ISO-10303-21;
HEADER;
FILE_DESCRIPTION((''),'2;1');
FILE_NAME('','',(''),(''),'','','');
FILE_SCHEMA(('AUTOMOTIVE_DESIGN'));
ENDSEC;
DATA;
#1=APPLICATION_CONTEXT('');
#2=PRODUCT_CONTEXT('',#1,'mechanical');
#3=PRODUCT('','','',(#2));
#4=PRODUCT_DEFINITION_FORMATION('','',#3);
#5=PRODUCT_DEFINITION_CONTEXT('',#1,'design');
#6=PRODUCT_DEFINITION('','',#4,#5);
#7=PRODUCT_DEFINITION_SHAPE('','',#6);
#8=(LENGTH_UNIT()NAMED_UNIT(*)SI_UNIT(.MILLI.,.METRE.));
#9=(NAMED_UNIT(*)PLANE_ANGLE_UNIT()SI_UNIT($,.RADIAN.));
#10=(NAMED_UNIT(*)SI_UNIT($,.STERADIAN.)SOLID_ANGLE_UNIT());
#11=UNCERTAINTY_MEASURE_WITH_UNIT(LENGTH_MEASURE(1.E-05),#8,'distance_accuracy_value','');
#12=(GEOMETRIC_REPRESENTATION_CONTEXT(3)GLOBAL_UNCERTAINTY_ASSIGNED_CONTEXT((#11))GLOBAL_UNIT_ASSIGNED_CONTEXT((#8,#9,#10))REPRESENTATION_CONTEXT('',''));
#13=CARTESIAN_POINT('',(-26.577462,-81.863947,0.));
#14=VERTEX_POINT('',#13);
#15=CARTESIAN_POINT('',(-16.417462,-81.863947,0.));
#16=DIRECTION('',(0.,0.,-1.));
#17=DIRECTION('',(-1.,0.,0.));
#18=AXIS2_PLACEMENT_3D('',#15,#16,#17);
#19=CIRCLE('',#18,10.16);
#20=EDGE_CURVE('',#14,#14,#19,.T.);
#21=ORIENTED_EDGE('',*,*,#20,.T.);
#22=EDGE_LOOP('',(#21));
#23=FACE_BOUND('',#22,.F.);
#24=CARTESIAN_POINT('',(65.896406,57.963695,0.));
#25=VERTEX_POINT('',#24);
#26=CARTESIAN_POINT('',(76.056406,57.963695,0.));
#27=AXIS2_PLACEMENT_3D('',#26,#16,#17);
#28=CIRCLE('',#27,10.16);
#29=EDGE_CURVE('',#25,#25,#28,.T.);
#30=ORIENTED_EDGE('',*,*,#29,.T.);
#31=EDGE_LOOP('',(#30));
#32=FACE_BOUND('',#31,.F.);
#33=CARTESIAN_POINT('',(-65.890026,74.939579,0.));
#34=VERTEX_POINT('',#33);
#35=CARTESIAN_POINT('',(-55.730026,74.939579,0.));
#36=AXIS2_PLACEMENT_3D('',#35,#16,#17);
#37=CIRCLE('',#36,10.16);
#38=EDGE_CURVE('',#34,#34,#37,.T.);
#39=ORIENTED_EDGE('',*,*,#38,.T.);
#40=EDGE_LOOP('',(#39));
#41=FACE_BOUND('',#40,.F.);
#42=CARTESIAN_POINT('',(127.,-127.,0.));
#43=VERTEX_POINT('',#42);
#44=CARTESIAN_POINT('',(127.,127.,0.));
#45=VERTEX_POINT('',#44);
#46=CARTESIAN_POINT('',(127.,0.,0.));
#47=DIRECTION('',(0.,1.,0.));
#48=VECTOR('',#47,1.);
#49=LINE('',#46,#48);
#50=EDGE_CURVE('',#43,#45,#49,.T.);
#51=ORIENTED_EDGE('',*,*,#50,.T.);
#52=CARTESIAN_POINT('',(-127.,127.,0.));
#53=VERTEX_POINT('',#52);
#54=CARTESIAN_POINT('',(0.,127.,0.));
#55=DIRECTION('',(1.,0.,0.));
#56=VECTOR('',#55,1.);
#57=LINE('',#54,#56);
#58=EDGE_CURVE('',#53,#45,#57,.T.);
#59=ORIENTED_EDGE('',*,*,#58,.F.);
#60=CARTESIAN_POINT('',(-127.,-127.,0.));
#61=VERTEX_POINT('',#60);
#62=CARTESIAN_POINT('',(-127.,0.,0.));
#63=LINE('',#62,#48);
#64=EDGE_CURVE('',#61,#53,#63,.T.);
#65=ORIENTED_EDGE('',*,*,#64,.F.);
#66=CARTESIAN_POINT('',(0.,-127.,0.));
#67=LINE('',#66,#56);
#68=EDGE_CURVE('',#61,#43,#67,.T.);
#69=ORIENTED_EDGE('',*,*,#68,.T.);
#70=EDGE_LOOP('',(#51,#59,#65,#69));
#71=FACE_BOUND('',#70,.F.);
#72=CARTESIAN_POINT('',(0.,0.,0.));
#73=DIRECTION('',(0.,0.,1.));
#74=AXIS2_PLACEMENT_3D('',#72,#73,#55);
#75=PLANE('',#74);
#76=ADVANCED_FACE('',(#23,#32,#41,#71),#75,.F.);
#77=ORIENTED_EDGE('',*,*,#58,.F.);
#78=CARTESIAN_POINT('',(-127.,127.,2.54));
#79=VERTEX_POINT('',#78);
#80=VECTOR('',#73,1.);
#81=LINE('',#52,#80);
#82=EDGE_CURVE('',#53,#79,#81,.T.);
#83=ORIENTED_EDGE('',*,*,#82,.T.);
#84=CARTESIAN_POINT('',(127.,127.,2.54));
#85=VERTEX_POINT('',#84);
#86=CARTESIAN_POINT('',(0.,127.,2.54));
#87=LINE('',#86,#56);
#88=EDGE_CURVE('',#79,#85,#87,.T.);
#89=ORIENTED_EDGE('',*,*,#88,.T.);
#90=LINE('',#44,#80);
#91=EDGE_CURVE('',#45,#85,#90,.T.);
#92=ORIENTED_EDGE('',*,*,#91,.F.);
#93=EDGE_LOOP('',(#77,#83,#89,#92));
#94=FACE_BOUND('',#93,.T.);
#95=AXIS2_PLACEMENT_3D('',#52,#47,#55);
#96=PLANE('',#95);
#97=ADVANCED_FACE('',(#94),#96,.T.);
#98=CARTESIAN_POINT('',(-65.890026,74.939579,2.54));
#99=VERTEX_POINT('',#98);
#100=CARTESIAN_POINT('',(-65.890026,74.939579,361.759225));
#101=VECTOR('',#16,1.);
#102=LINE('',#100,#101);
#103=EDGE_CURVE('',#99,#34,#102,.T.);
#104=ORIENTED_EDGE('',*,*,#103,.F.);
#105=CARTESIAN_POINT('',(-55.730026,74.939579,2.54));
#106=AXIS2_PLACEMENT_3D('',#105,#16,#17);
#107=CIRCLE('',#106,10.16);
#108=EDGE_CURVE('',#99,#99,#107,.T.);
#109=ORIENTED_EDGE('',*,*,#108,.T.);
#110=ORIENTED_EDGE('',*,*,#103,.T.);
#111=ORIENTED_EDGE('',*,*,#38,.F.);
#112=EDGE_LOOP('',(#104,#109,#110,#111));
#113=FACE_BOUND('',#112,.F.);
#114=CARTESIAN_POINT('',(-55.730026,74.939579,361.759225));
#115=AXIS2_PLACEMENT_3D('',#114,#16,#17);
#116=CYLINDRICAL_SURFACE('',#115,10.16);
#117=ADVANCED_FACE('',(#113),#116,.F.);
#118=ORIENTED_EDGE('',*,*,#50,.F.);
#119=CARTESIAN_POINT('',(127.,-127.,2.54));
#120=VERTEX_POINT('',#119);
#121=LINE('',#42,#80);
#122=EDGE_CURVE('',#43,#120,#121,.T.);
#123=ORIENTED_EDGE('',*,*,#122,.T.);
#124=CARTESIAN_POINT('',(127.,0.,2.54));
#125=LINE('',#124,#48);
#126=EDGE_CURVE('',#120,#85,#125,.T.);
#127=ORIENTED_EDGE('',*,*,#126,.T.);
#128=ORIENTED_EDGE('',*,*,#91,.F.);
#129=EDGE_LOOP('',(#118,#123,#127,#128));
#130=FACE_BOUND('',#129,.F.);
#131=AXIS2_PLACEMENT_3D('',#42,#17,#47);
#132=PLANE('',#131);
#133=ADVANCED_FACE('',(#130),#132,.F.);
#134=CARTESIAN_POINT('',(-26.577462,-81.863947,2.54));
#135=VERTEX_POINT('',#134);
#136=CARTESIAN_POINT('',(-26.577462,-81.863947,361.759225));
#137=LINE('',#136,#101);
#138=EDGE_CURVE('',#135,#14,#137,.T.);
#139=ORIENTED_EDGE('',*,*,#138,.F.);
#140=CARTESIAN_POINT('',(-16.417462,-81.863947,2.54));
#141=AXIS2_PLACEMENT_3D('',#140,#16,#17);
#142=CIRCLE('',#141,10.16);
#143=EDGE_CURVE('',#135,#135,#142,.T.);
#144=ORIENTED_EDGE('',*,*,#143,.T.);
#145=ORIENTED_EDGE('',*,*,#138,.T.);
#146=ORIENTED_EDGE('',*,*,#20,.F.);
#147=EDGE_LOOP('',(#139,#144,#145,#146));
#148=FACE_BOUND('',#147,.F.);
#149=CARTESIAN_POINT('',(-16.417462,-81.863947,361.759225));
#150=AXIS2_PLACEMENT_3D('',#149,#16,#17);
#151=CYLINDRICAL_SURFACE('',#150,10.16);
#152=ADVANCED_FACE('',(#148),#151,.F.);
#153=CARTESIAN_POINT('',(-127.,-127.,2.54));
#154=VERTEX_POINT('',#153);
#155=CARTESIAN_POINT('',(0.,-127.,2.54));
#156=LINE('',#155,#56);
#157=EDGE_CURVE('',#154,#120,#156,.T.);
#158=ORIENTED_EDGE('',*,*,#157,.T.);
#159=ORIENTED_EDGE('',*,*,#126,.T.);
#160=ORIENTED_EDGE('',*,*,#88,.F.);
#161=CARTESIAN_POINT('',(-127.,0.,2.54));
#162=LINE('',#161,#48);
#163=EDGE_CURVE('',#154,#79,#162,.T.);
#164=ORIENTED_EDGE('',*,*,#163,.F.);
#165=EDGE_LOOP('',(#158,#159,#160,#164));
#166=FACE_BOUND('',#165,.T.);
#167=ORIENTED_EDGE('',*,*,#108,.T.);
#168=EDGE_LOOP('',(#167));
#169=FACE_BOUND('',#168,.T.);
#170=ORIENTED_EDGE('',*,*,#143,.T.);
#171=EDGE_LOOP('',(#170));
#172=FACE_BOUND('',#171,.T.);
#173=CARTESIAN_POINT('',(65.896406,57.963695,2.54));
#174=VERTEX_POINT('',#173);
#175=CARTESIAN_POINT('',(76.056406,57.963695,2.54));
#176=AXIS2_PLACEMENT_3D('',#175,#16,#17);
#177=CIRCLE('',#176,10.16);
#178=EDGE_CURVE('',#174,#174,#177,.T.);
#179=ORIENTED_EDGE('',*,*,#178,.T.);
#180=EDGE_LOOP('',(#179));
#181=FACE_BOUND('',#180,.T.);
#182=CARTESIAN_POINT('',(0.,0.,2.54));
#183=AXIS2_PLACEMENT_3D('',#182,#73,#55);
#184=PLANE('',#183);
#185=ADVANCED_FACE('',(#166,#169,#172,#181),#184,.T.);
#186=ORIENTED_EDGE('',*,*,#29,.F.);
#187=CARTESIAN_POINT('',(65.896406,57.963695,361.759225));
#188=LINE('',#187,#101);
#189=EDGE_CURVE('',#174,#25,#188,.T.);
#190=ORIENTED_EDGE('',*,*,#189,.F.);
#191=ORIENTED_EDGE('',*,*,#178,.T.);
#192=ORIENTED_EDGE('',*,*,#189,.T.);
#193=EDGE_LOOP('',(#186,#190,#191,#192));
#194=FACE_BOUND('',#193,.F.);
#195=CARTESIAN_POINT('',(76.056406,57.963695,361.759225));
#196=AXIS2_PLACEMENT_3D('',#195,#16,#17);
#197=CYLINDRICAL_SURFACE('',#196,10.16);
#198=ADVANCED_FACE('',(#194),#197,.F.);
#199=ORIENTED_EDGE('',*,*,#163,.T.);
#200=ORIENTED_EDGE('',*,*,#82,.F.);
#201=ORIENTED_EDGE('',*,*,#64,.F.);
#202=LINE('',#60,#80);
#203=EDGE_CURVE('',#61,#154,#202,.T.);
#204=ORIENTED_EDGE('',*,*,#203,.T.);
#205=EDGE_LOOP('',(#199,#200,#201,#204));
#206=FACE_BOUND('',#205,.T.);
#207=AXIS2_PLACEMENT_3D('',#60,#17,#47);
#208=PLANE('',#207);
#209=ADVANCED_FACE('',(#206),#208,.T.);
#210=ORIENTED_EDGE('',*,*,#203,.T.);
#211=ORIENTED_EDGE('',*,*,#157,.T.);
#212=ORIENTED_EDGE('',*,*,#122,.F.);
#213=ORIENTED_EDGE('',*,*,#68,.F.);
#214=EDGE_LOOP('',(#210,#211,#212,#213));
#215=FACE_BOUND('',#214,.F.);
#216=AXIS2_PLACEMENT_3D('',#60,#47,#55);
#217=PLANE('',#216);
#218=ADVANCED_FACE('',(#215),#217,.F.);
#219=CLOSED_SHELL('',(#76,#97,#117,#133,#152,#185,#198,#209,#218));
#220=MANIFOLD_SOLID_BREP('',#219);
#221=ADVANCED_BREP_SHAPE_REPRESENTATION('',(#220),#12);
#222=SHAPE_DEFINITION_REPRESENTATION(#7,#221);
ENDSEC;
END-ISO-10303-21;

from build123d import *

# Parameters (mm, degrees)
F0_W     = 254
F0_H     = 254
F1_DEPTH = 2.54
F3_D     = 20.32


with BuildPart() as f1:
    # F0 (on Top) → F1 (new body)
    with BuildSketch(Plane.XY):
        Rectangle(F0_W, F0_H)
    extrude(amount=F1_DEPTH)

    # F3 (through all)
    with Locations(Plane.XY.offset(2.54)):
        with Locations((-55.730026, 74.939579), (76.056406, 57.963695), (-16.417462, -81.863947)):
            Hole(F3_D / 2)


solid = f1.part
